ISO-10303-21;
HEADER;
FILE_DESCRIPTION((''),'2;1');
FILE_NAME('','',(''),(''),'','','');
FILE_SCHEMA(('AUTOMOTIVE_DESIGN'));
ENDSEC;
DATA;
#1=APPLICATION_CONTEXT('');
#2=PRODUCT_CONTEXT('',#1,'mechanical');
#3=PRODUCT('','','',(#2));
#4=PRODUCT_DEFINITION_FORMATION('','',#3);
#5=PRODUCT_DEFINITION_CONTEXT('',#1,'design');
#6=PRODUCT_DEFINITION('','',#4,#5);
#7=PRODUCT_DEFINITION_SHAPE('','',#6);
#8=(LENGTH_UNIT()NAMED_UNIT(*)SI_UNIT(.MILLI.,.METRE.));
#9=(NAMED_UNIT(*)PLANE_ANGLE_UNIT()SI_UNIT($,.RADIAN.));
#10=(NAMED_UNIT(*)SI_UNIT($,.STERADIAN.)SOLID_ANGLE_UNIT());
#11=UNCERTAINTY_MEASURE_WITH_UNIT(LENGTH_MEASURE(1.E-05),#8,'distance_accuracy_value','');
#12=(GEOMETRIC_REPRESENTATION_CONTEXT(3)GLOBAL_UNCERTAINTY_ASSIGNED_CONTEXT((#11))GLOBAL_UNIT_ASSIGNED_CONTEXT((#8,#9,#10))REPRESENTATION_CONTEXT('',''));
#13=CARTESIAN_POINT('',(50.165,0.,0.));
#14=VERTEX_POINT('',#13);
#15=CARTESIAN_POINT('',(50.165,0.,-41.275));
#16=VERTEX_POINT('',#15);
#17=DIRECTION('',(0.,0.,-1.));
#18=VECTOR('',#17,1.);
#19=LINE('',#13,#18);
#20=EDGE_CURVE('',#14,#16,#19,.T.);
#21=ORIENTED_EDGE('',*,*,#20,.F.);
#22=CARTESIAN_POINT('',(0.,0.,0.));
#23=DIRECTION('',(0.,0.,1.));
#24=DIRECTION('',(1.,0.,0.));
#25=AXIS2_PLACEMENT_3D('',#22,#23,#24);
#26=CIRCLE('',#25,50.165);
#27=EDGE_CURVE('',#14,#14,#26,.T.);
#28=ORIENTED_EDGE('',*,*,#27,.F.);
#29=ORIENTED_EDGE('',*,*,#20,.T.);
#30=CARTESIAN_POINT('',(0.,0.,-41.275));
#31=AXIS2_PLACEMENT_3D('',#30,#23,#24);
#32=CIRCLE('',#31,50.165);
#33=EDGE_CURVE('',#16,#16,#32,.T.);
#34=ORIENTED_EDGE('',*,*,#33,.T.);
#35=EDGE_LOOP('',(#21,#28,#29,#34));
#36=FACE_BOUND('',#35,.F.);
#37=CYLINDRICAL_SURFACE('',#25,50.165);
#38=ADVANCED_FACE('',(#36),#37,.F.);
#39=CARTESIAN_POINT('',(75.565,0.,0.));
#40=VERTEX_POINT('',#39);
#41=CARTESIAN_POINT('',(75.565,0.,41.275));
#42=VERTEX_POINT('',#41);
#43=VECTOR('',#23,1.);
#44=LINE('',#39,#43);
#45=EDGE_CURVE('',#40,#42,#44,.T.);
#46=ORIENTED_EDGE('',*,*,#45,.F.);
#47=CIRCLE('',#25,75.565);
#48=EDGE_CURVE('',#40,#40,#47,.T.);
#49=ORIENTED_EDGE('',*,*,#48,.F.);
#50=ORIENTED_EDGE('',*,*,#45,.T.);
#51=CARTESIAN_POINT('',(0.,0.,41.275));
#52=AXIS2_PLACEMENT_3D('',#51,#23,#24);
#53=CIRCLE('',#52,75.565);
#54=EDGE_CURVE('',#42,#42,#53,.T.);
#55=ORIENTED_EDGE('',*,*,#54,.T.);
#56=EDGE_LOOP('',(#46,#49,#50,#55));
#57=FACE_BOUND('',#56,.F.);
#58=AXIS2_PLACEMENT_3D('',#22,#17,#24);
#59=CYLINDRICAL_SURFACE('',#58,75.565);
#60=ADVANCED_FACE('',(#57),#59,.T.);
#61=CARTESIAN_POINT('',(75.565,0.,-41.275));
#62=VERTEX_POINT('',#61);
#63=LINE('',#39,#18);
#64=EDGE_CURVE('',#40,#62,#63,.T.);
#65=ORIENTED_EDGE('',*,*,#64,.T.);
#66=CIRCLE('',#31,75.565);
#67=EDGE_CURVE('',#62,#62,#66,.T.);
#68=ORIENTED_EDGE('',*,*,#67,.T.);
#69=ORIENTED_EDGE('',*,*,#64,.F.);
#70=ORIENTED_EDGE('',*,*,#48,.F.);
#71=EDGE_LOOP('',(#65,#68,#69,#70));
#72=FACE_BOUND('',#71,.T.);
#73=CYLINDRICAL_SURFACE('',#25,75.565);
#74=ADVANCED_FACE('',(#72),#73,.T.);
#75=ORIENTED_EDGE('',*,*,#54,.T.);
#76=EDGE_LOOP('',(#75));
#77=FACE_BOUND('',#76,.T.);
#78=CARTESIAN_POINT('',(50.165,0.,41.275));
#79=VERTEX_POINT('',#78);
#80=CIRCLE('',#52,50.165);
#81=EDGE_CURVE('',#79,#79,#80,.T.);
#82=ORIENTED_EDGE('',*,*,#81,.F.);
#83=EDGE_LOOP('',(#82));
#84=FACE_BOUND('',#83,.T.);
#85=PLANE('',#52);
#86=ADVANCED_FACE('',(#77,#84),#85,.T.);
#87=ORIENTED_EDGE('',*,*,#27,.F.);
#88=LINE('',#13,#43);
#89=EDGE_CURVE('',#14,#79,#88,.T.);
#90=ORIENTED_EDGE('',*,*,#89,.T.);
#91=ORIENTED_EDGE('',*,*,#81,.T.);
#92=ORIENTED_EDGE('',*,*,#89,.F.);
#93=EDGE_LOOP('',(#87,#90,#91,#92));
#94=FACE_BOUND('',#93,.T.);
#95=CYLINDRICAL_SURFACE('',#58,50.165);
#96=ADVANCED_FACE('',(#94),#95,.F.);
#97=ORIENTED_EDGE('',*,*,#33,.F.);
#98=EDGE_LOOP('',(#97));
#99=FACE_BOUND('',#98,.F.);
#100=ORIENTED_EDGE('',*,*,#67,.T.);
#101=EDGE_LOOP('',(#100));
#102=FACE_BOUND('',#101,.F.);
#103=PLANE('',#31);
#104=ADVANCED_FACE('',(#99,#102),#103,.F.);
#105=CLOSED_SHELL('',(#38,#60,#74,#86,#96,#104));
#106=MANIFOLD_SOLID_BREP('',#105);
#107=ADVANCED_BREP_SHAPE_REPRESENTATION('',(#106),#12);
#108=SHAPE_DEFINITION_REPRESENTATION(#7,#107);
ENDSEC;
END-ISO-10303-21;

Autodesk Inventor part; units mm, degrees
ref_plane "YZ Plane" through (0, 0, 0) normal (1, 0, 0) x (0, 1, 0)
ref_plane "XZ Plane" through (0, 0, 0) normal (0, 1, 0) x (-1, 0, 0)
ref_plane "XY Plane" through (0, 0, 0) normal (0, 0, 1) x (1, 0, 0)
sketch "Sketch1" plane through (0, 0, 0) normal (0, 0, 1) x (1, 0, 0)
  circle A0 centre (0, 0) radius 50.165 projected
  circle A1 centre (0, 0) radius 50.165
  circle A2 centre (0, 0) radius 75.565
  point P0 (0, 0)
  dimension "d0" = 25.4
extrude "Extrusion1" add sketch "Sketch1" along normal mid plane 82.55
properties part number "Wheel_Tire"
